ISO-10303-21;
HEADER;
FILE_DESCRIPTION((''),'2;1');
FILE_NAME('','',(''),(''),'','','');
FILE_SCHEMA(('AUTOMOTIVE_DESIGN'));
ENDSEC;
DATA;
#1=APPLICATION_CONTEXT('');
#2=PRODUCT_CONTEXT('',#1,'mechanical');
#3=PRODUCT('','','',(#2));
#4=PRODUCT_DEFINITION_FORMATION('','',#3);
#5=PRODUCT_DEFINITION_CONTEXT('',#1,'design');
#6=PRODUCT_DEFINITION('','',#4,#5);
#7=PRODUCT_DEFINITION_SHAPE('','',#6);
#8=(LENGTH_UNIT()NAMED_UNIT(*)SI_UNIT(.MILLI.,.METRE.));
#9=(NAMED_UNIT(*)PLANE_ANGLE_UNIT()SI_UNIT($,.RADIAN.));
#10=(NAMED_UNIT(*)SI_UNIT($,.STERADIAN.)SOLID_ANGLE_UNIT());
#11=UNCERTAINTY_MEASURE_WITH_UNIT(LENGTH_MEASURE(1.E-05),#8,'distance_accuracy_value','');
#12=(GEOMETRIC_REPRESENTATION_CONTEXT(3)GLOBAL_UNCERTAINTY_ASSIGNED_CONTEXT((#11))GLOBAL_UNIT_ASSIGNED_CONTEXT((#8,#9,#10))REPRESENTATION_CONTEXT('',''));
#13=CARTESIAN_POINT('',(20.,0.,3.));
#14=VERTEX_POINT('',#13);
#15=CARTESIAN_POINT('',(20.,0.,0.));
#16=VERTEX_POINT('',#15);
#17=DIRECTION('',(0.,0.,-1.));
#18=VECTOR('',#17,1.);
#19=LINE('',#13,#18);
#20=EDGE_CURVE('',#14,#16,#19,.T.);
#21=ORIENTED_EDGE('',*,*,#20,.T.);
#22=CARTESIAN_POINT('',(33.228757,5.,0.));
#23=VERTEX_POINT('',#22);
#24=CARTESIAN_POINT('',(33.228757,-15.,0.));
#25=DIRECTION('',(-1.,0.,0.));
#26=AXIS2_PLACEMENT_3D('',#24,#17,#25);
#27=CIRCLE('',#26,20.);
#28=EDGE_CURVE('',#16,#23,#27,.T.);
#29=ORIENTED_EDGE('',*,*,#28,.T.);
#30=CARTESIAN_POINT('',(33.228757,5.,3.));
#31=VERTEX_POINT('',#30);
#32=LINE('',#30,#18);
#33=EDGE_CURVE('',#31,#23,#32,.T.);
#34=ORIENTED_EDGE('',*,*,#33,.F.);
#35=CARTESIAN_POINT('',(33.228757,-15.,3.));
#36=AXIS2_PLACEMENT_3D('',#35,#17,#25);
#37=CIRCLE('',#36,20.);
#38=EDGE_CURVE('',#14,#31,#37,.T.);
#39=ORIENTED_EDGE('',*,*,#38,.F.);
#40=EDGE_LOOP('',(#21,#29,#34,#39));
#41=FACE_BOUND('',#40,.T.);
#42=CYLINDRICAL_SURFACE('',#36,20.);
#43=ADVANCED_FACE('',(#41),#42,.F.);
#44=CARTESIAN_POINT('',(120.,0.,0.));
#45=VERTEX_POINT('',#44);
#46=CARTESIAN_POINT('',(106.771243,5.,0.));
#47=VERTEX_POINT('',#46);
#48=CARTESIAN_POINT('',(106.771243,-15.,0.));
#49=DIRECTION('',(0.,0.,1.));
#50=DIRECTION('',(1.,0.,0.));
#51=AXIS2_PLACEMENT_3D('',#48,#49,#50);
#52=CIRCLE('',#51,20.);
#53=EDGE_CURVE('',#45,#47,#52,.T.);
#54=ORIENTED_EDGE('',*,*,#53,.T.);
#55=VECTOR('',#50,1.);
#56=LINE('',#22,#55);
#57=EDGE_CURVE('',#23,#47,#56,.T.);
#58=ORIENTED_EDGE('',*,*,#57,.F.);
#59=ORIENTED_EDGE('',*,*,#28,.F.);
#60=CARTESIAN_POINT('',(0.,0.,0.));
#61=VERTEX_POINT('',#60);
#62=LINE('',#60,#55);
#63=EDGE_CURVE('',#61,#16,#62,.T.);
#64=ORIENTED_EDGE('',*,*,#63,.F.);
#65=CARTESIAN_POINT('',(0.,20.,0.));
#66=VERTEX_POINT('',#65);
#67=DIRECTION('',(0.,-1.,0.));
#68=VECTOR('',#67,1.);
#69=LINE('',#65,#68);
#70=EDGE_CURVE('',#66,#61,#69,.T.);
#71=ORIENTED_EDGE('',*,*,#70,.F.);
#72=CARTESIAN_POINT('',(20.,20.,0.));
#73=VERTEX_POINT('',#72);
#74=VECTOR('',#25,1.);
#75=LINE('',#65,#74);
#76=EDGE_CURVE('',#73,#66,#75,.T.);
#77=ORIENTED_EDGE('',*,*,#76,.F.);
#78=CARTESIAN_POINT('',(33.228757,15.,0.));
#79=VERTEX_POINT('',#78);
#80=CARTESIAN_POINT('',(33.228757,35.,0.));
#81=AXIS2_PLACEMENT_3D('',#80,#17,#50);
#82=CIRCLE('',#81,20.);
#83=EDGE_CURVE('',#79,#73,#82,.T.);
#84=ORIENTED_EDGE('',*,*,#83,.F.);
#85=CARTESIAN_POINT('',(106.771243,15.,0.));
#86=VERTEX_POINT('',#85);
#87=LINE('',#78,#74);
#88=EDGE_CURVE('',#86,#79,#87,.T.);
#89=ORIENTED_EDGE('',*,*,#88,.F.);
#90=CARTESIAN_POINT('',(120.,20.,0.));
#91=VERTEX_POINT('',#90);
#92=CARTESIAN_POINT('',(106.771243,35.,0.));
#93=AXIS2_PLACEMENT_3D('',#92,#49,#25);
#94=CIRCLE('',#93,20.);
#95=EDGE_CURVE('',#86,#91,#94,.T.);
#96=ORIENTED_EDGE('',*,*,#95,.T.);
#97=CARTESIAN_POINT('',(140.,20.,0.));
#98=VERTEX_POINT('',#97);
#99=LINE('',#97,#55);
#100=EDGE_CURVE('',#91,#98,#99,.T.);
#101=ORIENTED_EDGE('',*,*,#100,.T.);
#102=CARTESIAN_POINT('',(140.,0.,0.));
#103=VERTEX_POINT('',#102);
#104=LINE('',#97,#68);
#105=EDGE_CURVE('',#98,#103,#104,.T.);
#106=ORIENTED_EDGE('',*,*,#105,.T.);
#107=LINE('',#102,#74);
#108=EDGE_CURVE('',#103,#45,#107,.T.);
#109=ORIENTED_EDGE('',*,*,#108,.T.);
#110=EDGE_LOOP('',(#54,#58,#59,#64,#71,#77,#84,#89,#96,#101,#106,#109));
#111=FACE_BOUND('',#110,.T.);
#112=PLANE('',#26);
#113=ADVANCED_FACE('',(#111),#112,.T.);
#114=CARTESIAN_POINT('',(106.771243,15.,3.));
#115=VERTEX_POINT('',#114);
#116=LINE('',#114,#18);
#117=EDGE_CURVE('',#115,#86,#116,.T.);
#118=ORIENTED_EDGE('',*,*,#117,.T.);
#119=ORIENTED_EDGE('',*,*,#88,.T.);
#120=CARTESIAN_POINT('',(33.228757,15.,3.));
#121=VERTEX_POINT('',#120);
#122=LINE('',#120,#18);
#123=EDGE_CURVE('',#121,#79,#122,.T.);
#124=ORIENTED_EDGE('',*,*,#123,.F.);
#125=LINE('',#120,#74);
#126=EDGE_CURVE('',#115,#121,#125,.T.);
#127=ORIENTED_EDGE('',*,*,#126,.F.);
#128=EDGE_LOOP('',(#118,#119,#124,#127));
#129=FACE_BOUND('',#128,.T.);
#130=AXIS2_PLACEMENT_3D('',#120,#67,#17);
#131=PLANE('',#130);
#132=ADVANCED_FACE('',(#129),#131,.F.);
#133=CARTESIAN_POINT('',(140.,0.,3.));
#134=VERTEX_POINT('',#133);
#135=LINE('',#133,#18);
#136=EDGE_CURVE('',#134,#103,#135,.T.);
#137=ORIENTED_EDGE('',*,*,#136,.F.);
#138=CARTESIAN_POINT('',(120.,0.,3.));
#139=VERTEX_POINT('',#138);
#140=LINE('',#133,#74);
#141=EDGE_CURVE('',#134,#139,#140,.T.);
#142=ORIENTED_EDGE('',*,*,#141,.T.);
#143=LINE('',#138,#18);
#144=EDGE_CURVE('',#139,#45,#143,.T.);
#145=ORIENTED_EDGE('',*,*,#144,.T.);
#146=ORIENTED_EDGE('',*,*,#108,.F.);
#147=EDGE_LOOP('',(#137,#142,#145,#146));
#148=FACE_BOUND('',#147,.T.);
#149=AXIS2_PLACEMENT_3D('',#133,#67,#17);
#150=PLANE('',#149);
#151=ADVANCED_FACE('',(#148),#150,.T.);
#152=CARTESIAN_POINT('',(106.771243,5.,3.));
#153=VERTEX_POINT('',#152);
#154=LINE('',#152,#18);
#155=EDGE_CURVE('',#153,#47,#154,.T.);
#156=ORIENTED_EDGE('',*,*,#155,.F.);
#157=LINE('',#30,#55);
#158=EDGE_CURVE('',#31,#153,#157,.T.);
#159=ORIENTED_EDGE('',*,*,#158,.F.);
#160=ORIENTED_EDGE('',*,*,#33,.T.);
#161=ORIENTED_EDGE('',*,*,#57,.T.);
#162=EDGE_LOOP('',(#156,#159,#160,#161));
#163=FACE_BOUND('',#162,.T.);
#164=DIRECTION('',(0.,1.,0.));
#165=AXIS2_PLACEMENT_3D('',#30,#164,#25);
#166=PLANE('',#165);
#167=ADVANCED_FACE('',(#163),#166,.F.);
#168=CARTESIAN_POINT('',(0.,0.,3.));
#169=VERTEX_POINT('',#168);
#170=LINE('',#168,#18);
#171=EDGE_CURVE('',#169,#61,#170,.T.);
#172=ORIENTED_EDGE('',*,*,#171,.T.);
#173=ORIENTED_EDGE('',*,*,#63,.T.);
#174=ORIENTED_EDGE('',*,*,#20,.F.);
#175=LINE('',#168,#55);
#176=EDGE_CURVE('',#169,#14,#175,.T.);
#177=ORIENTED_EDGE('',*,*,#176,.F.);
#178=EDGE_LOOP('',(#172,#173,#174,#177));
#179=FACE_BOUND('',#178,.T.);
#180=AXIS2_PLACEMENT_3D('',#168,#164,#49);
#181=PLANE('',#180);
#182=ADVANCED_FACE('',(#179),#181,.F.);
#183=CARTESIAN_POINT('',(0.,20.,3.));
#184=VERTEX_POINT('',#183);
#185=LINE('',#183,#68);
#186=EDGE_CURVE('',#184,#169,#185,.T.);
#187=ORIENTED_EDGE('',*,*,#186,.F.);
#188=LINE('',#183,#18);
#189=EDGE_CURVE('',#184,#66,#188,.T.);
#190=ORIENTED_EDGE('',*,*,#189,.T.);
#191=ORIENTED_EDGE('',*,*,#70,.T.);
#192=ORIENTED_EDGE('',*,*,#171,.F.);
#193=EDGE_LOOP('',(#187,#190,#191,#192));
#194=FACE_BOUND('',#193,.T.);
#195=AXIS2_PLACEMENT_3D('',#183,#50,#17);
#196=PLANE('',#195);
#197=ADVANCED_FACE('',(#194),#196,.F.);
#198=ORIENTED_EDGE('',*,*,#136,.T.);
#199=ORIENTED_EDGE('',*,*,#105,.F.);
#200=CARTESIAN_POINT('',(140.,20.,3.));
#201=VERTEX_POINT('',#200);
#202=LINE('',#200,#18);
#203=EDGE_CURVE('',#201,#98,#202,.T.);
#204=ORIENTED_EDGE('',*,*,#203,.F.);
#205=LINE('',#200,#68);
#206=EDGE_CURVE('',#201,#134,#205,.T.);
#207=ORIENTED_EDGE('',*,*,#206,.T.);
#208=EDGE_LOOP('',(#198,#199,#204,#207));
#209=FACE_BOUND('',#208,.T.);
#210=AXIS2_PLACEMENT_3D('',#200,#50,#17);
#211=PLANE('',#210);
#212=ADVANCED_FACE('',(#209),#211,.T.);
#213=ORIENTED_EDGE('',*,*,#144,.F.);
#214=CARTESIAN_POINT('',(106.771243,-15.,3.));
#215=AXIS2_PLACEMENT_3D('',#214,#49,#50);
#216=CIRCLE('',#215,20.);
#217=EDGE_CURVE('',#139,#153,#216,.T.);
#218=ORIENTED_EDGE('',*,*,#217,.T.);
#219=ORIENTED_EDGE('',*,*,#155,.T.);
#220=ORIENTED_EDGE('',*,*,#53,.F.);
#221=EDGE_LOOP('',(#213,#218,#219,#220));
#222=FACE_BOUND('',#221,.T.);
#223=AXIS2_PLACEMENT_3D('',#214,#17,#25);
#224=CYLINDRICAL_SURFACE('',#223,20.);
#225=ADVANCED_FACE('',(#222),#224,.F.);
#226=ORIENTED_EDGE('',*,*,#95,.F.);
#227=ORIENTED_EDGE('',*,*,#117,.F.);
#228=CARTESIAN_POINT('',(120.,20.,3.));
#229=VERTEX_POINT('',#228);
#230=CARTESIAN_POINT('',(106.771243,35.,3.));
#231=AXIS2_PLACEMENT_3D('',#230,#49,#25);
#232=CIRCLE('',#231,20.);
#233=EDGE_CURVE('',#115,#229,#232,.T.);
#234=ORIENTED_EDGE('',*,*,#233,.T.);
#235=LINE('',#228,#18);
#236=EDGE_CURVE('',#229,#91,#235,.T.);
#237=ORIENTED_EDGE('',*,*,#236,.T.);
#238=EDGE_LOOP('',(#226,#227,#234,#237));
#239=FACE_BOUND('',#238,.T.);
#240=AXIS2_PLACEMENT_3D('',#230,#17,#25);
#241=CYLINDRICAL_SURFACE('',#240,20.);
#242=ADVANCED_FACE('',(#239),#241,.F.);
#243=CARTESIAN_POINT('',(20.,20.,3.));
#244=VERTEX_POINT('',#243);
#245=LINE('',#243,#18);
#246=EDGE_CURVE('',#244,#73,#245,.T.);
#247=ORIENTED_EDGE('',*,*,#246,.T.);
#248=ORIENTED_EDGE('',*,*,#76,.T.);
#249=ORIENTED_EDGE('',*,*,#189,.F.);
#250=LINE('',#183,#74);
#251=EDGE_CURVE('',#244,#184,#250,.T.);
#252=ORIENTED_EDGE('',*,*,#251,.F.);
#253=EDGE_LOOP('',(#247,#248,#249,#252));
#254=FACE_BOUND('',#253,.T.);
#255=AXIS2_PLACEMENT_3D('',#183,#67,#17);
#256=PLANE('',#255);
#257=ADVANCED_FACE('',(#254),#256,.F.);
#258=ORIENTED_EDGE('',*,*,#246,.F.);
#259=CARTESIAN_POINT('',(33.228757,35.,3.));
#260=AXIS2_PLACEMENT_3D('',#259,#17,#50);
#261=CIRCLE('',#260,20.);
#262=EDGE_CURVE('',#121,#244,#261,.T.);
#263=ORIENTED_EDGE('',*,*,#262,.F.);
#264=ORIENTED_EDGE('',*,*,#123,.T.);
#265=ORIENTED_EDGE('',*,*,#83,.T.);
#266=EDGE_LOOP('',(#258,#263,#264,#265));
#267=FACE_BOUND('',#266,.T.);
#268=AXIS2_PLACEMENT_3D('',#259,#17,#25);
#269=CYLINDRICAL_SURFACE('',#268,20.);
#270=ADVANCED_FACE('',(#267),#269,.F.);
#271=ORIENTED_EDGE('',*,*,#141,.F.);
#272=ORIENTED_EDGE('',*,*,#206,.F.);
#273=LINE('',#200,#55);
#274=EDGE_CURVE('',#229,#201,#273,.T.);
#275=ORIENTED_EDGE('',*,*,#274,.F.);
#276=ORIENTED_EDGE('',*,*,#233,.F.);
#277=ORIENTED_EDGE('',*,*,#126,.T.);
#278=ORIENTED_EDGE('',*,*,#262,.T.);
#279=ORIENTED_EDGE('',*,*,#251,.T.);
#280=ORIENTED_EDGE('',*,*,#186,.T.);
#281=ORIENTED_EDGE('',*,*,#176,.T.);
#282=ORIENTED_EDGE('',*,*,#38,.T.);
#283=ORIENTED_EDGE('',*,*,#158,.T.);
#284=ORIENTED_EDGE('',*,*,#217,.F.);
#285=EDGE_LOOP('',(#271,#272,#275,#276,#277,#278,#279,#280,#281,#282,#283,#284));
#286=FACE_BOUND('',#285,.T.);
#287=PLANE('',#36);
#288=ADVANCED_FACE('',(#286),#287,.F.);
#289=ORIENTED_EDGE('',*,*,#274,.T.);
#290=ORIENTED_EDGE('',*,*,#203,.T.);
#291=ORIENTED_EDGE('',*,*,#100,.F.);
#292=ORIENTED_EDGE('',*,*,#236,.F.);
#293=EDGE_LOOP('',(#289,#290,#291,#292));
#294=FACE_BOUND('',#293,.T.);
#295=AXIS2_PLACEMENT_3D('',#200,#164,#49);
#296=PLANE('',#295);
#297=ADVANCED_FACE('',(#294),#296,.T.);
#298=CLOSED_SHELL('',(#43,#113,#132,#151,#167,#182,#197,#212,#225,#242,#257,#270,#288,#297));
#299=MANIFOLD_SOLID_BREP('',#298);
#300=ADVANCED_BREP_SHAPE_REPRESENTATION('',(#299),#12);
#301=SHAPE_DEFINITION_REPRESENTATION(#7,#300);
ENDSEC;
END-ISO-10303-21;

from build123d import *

# Parameters (mm, degrees)
BOSS_EXTRU_1_DEPTH = 3


with BuildPart() as part:
    # Esquisse1 → Boss.-Extru.1 (new body)
    with BuildSketch(Plane.XY):
        with BuildLine():
            Line((0, 20), (0, 0))
            Line((0, 0), (20, 0))
            ThreePointArc((20, 0), (26.157688743, 3.708286934), (33.228756555, 5))
            Line((33.228756555, 5), (70, 5))
            Line((70, 5), (70, 15))
            Line((70, 15), (33.228756555, 15))
            ThreePointArc((33.228756555, 15), (26.157688743, 16.291713066), (20, 20))
            Line((20, 20), (0, 20))
        make_face()
    boss_extru_1 = extrude(amount=BOSS_EXTRU_1_DEPTH)

    # Symétrie7: Boss.-Extru.1 across plane
    add(boss_extru_1.mirror(Plane(origin=(70, 15, 3), x_dir=(0, 0, 1), z_dir=(-1, 0, 0))))


solid = part.part
